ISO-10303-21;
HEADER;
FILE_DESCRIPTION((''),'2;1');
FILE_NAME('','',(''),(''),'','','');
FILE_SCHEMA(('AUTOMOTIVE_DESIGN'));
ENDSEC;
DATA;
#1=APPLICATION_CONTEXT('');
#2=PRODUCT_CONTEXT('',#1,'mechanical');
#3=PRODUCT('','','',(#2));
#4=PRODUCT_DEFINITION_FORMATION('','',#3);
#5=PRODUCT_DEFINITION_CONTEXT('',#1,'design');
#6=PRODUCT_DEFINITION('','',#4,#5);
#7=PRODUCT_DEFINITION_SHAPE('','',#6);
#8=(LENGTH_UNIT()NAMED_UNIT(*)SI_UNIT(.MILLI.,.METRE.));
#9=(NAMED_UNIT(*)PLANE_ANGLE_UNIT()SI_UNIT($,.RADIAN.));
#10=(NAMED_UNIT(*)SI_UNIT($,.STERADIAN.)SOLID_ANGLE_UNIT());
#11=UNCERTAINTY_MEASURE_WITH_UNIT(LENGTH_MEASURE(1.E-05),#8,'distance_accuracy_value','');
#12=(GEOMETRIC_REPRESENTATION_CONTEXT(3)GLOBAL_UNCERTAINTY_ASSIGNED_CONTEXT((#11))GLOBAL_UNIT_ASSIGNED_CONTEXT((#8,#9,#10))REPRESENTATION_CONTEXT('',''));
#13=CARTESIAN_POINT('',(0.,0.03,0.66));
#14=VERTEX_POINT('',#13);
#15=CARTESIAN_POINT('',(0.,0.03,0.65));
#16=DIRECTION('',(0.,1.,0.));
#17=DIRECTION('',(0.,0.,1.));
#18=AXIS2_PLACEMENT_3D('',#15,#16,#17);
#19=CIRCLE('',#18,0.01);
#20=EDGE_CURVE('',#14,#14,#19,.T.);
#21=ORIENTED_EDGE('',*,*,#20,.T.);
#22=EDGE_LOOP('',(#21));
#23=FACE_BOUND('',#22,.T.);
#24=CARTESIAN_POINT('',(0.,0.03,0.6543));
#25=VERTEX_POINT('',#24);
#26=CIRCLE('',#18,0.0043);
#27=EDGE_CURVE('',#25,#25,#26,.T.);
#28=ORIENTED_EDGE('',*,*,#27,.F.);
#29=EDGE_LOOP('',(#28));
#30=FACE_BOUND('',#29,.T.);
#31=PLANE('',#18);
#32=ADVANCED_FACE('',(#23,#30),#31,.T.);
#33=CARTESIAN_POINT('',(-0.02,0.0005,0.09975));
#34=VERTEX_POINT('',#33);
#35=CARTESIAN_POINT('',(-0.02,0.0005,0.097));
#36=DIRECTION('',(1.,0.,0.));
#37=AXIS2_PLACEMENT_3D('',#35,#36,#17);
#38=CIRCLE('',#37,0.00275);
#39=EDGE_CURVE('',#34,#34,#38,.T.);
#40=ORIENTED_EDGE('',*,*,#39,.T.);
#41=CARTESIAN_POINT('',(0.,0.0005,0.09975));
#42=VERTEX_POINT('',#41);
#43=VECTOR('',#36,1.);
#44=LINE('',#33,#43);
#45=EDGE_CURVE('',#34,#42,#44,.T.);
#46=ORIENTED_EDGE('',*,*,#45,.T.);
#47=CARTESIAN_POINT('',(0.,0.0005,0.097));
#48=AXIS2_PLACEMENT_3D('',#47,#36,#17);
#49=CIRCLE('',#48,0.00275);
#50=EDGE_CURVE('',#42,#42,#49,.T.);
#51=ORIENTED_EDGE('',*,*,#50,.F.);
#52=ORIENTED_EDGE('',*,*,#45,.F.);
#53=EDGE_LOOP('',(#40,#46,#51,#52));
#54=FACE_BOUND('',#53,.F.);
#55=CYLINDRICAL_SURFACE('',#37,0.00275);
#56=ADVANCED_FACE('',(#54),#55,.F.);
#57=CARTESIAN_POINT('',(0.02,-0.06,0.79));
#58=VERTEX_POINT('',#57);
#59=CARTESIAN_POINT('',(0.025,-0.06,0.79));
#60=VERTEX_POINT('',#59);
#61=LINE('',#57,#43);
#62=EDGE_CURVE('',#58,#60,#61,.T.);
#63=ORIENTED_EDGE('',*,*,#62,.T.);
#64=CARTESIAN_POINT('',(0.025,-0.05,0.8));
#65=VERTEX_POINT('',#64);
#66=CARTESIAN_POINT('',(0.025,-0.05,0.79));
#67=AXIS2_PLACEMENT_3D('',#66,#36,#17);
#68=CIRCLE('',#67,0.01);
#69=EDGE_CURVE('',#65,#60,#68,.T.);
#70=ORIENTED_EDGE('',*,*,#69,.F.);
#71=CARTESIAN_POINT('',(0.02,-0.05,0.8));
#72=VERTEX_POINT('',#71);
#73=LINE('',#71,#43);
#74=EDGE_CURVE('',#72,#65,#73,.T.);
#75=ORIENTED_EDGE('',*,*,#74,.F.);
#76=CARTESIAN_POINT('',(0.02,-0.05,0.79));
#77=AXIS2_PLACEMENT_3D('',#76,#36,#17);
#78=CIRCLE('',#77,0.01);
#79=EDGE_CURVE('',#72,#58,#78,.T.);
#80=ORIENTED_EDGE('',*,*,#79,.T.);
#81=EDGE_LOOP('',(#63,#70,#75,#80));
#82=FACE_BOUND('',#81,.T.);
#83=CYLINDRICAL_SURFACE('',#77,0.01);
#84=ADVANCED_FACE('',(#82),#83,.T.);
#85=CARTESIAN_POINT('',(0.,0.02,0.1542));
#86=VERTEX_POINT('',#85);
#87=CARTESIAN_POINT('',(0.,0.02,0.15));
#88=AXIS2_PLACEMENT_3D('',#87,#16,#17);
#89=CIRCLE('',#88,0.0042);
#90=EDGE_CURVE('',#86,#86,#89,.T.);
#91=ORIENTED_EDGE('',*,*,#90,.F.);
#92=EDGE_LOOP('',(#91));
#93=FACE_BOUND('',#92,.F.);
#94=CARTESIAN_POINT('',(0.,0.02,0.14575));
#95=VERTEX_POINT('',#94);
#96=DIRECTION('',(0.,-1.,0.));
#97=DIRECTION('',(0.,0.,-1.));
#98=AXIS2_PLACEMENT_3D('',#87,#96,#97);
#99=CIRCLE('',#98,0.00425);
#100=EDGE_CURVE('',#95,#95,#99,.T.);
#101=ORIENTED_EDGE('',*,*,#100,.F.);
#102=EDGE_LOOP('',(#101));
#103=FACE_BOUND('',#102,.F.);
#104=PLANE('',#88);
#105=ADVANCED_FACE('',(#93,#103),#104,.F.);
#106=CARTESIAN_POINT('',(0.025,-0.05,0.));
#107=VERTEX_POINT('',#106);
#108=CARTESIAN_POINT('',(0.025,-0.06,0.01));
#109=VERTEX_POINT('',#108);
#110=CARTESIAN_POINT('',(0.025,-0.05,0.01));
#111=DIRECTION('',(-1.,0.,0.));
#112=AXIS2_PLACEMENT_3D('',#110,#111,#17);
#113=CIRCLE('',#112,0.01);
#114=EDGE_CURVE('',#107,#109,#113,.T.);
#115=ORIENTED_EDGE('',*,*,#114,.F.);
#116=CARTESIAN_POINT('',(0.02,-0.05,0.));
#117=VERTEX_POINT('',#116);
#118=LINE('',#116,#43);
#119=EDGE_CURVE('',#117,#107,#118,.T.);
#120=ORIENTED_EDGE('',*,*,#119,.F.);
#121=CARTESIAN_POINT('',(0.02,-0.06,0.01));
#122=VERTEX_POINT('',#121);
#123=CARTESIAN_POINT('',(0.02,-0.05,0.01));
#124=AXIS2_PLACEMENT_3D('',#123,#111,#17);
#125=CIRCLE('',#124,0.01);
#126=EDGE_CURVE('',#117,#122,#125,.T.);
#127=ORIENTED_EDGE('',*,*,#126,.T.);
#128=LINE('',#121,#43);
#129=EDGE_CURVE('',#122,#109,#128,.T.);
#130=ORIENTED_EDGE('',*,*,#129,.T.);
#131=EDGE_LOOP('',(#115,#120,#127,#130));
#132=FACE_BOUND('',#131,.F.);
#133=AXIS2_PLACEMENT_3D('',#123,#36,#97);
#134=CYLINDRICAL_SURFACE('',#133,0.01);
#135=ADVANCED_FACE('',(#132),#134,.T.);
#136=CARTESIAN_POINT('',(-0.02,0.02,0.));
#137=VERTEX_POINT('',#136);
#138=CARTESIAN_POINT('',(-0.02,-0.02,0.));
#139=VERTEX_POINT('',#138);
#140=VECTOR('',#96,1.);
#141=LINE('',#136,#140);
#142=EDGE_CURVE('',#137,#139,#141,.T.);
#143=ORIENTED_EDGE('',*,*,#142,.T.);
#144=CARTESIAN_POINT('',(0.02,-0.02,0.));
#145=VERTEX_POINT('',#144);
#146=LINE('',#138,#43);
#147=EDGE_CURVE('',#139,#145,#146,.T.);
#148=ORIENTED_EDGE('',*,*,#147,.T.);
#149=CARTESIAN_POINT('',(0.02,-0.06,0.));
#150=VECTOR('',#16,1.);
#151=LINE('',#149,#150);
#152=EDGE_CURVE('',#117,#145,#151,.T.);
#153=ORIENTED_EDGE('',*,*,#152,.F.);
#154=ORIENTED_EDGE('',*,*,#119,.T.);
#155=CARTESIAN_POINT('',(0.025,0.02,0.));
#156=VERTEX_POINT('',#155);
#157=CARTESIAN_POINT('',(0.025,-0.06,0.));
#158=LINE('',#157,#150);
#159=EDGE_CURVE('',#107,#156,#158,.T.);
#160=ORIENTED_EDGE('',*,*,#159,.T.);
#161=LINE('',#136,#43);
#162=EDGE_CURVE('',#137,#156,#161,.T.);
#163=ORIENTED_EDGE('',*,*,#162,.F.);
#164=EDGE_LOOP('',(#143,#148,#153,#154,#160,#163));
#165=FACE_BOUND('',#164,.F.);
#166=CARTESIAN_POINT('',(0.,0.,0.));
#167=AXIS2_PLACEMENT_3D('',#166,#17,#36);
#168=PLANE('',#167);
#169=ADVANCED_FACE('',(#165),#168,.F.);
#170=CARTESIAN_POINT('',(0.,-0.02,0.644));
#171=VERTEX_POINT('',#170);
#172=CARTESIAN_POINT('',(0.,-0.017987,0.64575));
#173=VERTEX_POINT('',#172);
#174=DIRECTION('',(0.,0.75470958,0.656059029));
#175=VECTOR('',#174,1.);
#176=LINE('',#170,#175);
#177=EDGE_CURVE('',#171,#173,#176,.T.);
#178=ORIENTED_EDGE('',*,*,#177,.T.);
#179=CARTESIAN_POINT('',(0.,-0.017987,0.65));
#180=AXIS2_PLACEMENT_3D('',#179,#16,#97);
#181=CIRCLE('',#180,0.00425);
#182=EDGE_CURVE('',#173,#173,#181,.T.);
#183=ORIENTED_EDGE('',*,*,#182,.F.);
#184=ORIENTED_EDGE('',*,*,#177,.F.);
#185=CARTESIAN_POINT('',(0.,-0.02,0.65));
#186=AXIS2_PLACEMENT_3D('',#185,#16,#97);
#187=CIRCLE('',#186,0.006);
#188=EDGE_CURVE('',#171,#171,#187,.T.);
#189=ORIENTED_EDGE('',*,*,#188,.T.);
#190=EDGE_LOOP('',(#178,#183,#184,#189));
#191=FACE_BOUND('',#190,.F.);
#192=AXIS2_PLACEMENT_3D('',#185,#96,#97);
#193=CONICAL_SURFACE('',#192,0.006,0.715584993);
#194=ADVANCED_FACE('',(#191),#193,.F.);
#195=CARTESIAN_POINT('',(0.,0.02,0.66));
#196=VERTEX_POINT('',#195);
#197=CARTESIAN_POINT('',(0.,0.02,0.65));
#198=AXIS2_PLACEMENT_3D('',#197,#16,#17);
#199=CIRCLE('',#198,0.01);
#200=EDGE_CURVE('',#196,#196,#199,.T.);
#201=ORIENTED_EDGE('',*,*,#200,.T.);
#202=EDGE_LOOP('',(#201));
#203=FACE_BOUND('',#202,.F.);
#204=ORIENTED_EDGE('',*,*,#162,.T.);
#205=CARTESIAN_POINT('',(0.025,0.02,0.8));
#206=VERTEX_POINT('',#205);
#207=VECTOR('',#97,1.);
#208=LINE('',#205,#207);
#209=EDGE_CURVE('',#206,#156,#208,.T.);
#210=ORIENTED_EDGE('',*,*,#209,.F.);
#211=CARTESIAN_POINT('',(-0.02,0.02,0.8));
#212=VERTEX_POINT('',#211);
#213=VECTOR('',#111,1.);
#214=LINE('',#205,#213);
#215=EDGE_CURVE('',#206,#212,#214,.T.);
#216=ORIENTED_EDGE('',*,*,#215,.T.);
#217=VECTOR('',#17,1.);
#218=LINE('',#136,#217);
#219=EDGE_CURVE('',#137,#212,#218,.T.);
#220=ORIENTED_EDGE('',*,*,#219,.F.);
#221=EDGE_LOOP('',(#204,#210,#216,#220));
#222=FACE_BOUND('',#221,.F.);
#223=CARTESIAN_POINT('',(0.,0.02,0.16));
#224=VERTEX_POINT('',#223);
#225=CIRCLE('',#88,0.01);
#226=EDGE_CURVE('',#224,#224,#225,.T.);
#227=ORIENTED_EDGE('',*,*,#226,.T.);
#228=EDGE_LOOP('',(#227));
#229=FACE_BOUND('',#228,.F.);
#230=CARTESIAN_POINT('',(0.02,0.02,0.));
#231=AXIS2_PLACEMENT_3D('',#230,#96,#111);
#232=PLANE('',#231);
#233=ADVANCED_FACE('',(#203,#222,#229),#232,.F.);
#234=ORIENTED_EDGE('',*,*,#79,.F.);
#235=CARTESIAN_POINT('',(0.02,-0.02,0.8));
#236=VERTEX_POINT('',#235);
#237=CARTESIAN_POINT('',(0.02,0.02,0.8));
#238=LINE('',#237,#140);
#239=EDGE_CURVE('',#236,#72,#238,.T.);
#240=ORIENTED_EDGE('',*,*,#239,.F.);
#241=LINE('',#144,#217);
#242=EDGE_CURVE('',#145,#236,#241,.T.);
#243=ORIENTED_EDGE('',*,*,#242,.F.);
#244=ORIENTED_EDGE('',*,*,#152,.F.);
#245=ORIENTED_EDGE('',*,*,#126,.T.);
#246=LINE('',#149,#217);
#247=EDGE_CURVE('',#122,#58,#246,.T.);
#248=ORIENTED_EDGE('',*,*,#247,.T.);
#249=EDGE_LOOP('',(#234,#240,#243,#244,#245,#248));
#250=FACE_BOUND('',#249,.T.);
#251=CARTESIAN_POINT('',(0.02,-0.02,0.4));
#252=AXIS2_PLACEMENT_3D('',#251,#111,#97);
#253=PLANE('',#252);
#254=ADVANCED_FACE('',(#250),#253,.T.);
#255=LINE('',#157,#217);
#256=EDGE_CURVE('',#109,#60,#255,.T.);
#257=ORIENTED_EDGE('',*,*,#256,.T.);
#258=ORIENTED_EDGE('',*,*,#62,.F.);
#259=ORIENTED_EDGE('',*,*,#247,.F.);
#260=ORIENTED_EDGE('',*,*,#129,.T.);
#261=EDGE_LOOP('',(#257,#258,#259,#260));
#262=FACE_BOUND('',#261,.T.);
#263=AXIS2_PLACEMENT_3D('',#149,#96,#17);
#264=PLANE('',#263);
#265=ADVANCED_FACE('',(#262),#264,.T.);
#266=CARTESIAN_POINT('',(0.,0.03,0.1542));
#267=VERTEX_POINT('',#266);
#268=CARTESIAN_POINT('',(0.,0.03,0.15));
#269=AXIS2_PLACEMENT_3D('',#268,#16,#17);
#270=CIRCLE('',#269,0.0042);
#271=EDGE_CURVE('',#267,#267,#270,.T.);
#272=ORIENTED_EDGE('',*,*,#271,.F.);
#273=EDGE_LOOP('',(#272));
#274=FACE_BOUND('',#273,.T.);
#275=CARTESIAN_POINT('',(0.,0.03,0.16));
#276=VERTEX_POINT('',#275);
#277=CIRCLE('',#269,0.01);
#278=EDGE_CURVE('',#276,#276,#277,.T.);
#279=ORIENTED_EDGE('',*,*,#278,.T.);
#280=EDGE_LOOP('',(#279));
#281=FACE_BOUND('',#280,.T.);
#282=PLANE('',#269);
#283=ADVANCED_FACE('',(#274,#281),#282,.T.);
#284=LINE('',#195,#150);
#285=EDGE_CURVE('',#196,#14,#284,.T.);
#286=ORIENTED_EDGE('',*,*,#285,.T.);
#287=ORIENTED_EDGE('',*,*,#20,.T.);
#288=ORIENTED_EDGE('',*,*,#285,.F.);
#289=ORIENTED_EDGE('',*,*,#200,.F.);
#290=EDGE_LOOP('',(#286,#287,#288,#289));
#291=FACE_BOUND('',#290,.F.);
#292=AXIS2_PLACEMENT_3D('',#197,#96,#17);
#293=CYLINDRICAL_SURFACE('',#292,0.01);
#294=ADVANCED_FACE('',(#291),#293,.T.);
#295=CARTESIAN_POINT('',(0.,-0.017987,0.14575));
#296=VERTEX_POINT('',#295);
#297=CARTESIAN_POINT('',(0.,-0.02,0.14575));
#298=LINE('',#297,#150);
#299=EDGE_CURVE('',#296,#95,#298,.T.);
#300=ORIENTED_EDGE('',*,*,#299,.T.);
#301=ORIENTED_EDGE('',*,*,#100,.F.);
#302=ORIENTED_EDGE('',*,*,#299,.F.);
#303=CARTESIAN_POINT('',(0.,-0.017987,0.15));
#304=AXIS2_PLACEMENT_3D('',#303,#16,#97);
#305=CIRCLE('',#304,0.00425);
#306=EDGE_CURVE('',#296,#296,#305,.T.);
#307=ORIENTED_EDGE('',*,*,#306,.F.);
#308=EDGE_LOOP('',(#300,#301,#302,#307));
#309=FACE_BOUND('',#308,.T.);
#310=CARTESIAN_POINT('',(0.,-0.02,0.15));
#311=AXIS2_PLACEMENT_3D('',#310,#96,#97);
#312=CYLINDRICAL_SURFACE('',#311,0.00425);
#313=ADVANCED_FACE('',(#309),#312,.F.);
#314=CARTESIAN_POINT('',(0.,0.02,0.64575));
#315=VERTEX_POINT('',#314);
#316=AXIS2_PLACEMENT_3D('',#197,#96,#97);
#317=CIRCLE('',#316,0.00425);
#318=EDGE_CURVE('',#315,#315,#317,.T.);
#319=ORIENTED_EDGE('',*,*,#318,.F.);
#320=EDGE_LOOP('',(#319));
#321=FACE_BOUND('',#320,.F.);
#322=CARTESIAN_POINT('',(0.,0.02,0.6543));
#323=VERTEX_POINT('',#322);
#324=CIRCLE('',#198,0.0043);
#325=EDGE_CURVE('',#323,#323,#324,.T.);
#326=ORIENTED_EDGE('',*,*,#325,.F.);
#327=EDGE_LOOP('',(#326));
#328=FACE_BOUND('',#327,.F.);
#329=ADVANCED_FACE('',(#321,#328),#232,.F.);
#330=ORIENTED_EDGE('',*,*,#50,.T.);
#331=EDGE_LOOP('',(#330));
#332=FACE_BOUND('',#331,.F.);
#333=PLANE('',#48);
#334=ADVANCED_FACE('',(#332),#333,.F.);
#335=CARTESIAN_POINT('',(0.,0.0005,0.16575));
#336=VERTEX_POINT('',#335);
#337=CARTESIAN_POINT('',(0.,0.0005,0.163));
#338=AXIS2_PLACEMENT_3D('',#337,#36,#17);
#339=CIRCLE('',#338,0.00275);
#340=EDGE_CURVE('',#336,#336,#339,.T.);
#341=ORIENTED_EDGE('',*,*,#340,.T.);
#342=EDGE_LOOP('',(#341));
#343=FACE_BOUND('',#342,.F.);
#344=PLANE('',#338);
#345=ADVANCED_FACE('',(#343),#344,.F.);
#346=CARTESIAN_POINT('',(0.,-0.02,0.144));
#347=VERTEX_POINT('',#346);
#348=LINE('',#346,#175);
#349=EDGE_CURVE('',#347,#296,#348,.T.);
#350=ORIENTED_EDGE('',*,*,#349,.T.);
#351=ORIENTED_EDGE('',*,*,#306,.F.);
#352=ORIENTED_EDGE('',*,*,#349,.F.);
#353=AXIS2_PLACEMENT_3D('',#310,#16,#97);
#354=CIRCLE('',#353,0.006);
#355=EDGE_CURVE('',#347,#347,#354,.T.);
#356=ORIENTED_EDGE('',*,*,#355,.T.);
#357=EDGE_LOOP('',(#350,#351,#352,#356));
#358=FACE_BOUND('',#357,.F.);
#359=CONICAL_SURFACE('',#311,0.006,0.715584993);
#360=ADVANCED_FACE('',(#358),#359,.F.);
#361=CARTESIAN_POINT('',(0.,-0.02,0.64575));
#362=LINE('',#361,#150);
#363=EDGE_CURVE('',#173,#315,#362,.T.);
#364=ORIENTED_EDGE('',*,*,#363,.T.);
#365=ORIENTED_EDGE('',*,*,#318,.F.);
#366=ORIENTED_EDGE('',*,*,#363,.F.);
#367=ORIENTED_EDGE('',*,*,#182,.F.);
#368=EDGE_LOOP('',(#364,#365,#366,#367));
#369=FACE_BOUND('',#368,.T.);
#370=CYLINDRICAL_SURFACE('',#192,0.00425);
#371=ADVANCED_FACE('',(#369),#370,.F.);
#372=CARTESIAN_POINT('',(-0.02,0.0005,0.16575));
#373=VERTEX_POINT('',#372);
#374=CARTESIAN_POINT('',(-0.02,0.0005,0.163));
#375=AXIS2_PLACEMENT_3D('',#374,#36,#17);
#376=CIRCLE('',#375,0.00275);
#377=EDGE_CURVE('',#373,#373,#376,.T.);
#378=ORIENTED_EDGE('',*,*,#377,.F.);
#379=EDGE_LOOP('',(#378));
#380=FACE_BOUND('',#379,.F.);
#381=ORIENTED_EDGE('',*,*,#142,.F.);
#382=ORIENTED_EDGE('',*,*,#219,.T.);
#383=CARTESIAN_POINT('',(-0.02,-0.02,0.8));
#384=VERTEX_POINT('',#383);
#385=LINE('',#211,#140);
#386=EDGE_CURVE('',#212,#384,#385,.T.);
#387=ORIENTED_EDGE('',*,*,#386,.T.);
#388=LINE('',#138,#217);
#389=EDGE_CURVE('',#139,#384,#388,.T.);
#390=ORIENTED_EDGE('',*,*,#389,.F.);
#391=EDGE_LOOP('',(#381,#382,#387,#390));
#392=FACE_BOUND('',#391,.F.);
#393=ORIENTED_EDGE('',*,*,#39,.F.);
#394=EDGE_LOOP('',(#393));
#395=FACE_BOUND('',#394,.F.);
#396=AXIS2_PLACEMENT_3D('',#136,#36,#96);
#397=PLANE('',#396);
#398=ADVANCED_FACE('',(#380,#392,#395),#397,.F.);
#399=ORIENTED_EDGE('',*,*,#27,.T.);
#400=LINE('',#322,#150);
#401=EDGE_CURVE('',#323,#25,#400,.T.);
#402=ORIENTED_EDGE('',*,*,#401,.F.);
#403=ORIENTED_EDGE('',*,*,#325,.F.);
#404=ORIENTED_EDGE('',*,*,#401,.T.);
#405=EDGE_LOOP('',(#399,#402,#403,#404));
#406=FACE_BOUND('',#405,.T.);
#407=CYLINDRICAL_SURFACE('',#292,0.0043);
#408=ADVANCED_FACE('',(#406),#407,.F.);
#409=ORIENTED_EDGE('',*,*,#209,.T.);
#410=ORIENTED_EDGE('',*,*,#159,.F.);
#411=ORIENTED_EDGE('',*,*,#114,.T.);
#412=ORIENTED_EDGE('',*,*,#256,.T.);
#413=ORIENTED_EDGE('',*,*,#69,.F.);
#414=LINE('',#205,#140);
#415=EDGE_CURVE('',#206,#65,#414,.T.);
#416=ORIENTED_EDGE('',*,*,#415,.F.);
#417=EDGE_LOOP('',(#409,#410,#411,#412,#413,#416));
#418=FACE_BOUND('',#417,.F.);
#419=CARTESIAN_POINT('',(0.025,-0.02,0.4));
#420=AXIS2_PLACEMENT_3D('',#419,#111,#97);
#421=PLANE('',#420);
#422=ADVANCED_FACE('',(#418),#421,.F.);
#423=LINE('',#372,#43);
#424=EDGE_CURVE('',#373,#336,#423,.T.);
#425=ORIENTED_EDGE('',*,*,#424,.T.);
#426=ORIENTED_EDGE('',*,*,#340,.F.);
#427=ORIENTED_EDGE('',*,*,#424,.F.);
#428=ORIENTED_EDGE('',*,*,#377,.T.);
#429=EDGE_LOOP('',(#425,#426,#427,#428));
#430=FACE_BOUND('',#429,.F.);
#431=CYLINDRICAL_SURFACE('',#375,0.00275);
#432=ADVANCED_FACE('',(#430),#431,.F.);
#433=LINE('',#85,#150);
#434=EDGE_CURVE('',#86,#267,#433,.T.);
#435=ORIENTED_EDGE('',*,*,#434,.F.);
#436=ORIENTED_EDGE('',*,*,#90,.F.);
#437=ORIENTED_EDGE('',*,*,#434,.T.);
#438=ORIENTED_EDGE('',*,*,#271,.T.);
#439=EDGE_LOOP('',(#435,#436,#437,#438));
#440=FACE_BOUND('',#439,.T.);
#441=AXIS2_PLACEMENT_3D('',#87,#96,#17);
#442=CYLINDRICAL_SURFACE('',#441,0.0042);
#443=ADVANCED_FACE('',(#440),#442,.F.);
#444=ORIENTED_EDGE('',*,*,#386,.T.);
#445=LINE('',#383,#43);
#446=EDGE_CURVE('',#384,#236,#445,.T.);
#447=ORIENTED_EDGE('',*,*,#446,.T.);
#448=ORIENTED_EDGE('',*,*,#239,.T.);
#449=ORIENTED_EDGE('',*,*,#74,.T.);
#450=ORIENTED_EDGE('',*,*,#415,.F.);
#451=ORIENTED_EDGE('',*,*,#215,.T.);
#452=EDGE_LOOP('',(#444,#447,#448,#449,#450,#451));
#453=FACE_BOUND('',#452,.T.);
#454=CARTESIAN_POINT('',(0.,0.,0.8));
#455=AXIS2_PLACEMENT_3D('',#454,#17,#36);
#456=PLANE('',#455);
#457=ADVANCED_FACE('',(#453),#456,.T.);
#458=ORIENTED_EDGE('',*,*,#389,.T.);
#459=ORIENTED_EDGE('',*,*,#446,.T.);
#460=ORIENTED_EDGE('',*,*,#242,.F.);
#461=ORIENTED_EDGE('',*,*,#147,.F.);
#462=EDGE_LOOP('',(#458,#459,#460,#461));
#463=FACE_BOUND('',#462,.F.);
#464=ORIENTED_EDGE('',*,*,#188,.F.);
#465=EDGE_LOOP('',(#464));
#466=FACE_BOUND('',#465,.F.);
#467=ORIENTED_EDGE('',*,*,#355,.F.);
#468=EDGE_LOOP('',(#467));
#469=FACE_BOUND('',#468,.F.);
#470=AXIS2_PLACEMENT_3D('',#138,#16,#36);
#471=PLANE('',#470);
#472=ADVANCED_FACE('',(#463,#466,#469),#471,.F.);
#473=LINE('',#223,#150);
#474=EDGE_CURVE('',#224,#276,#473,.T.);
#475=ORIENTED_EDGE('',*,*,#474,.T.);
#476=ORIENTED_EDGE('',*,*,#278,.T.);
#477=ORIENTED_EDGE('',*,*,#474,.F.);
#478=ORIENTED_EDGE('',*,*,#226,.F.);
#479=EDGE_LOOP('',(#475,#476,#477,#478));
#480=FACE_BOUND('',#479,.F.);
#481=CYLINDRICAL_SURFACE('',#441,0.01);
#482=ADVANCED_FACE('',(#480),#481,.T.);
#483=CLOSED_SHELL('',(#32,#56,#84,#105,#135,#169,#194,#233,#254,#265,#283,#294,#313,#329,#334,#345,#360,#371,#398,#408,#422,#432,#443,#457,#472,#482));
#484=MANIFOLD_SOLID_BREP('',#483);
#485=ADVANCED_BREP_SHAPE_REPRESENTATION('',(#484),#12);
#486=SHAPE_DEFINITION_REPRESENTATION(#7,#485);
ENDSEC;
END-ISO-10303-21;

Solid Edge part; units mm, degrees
sketch "Sketch1" plane through (0, 0, 0) normal (0, 0, 1) x (1, 0, 0)
  line L0 (-0.02, -0.02) -> (0.02, -0.02)
  line L1 (0.02, -0.02) -> (0.02, 0.02)
  line L2 (0.02, 0.02) -> (-0.02, 0.02)
  line L3 (-0.02, 0.02) -> (-0.02, -0.02)
  dimension "D1" = 0.04
extrude "Protrusion1" add sketch "Sketch1" along normal blind 0.8
sketch "Sketch2" plane through (0.02, 0, 0.4) normal (1, 0, 0) x (0, 0, -1)
  line L0 (-0.4, 0.02) -> (0.4, 0.02)
  line L1 (0.4, -0.06) -> (0.4, 0.02)
  line L2 (0.4, -0.06) -> (-0.4, -0.06)
  line L3 (-0.4, 0.02) -> (-0.4, -0.06)
  dimension "D1" = 0.08
extrude "Ausprägung_2" add sketch "Sketch2" along normal blind 0.005
fillet "Verrundung_1" radius 0.01 2 edges at (0.0225, -0.06, 0) (0.0225, -0.06, 0.8)
hole "Bohrung_1" at (0, -0.02, 0.65) direction (0, 1, 0) diameter 0.0085 end through all countersink diameter 0.012 countersink angle 82
hole "Hole1" at (0, -0.02, 0.15) direction (0, 1, 0) diameter 0.0085 end through all countersink diameter 0.012 countersink angle 82
sketch "Sketch3" plane through (0.002, 0.02, 0.4) normal (0, 1, 0) x (0, 0, 1)
  circle A0 centre (0.25, -0.002) radius 0.0043
  circle A1 centre (-0.25, -0.002) radius 0.01
  circle A2 centre (0.25, -0.002) radius 0.01
  circle A3 centre (-0.25, -0.002) radius 0.0042
  dimension "D1" = 0.02
extrude "Ausprägung_3" add sketch "Sketch3" along normal blind 0.01
hole "Bohrung_3" at (-0.02, 0.0005, 0.097) direction (1, 0, 0) diameter 0.0055 depth 0.02
hole "Hole2" at (-0.02, 0.0005, 0.163) direction (1, 0, 0) diameter 0.0055 depth 0.02
